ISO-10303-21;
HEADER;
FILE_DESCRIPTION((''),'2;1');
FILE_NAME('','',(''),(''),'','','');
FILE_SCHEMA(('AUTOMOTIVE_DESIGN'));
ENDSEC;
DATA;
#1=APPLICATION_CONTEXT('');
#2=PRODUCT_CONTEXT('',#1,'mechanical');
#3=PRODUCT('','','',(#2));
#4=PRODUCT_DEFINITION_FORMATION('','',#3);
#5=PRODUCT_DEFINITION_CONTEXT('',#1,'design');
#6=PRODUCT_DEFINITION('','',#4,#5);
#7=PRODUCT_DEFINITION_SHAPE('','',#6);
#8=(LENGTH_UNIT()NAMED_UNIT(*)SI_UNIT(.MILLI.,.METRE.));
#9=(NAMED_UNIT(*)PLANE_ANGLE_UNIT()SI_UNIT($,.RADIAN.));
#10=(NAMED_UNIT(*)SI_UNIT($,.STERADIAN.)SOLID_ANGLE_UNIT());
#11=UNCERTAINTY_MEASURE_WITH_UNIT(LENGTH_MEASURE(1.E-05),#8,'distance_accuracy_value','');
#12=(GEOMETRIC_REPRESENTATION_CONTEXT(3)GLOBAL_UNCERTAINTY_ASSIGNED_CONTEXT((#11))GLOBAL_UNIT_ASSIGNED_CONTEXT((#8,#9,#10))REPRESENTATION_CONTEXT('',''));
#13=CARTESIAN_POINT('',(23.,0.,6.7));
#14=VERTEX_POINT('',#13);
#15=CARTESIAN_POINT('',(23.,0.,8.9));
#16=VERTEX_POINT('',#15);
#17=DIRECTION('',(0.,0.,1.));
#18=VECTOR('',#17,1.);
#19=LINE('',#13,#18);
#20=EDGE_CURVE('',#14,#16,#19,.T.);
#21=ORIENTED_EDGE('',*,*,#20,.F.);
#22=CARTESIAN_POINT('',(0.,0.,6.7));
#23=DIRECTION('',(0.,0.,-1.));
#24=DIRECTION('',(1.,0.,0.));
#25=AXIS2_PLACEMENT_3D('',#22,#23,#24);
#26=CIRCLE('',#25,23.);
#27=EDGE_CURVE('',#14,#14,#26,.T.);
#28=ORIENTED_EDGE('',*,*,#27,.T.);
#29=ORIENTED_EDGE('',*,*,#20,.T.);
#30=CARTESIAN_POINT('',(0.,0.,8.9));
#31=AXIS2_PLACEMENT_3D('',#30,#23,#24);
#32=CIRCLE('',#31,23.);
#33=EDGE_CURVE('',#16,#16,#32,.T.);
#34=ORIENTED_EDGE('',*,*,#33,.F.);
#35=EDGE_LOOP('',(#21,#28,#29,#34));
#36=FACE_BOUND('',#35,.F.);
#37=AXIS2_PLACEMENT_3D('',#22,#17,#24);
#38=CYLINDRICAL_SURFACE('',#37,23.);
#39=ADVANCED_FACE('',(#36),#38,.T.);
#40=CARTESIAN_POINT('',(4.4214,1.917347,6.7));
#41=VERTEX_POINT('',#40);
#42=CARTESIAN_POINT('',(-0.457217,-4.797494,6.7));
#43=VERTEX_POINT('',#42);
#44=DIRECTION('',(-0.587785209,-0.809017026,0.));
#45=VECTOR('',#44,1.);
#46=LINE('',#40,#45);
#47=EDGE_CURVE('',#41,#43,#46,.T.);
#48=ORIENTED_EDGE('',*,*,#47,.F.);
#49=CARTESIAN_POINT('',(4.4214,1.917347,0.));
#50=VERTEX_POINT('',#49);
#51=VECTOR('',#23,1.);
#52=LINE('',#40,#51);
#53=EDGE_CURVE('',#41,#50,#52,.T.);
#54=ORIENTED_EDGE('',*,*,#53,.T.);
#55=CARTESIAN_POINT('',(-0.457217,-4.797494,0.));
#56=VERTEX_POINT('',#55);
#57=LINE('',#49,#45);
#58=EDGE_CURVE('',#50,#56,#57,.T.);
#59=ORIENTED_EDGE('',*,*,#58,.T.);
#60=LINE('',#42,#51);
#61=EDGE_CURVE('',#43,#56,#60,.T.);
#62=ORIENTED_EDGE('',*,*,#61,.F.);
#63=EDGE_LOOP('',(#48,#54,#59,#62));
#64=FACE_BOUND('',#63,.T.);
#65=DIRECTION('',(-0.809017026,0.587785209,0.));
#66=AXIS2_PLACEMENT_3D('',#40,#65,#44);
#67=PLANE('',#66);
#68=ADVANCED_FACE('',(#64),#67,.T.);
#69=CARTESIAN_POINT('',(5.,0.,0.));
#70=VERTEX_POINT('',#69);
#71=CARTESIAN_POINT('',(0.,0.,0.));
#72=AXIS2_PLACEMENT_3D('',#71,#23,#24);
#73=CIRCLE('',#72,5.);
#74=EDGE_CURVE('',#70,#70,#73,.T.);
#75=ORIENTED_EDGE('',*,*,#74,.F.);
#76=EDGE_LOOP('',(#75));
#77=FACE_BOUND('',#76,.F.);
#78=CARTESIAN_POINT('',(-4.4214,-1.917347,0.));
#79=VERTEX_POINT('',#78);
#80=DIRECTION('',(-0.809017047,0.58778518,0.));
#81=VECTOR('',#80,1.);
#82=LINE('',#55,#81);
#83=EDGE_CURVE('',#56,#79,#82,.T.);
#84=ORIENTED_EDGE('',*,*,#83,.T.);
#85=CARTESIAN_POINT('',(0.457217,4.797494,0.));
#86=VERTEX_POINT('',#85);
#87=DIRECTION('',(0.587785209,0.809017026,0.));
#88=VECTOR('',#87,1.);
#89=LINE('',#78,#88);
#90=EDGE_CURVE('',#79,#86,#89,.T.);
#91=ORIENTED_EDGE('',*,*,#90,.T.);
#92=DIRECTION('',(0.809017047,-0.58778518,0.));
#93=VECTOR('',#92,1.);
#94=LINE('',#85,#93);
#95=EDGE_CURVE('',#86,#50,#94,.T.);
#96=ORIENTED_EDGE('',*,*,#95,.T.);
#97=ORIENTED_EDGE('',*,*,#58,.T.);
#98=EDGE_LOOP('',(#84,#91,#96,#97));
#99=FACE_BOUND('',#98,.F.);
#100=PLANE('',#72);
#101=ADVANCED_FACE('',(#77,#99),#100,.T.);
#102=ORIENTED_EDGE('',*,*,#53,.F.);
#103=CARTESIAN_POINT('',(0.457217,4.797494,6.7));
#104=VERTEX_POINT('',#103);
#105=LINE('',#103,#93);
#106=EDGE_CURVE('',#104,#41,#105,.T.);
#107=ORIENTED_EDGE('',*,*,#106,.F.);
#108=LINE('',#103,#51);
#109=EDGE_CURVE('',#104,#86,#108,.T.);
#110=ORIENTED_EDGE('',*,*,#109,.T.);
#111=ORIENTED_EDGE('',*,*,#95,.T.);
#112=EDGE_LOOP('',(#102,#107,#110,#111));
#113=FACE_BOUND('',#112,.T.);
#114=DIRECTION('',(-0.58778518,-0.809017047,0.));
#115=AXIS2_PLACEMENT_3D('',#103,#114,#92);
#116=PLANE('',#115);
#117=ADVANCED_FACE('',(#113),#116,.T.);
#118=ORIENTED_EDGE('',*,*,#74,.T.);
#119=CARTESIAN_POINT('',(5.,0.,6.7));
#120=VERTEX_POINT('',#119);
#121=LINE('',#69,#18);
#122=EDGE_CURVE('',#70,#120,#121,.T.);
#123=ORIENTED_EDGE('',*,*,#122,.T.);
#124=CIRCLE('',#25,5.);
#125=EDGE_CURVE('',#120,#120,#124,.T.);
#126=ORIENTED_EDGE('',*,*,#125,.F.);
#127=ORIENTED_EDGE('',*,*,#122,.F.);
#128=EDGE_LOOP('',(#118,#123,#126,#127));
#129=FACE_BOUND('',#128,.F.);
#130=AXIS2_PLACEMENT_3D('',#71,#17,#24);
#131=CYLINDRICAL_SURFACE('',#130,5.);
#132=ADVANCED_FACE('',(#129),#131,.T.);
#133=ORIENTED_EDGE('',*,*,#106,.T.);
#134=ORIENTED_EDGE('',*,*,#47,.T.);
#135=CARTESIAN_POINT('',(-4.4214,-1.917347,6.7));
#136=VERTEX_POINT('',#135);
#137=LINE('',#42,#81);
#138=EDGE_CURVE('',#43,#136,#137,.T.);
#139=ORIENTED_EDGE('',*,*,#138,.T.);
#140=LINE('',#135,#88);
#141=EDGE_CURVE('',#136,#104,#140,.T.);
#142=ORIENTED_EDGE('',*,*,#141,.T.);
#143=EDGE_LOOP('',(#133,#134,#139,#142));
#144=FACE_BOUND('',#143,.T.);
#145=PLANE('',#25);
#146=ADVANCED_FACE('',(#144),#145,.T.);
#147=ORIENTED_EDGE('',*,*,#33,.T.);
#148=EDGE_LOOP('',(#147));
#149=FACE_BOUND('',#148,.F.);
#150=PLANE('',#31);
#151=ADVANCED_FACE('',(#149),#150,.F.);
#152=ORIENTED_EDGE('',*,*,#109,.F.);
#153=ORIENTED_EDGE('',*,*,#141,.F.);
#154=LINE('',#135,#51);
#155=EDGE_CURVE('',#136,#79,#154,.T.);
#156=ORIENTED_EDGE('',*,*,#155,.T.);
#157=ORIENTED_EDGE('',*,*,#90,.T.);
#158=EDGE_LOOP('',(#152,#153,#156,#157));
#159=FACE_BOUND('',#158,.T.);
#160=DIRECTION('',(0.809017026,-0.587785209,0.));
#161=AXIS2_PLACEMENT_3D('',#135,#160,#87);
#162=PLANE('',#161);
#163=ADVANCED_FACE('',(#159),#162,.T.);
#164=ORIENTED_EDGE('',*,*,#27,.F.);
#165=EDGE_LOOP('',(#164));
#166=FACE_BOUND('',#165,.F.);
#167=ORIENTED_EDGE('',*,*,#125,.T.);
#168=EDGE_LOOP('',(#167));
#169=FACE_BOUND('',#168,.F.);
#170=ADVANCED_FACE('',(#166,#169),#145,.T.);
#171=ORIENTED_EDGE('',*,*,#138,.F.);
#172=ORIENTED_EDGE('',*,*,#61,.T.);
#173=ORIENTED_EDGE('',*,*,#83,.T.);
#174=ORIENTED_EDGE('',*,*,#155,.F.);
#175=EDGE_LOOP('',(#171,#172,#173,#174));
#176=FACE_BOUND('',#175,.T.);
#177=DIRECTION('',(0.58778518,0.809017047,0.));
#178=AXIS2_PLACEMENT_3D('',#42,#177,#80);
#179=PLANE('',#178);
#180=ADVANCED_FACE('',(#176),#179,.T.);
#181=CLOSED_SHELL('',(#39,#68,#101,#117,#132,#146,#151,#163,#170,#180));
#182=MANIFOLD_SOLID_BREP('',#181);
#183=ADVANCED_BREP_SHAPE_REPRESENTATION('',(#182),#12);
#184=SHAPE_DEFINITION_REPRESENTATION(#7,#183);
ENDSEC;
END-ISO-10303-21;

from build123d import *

# Parameters (mm, degrees)
F3_DEPTH = 6.7


with BuildPart() as f1:
    # F0 (on Front) → F1 (revolve)
    with BuildSketch(Plane.XZ):
        Polygon((0, 8.9), (0, 0), (5, 0), (5, 6.7), (23, 6.7), (23, 8.9), align=None)
    revolve(axis=Axis((0, 0, 4.45), (0, 0, -1)))

    # F2 (on face) → F3 (cut, through all)
    with BuildSketch(Plane(origin=(0, 0, 6.7), x_dir=(1, 0, 0), z_dir=(0, 0, -1))):
        Polygon((-4.4214, 1.917347), (0.457217, -4.797494), (4.4214, -1.917347), (-0.457217, 4.797494), align=None)
    extrude(amount=F3_DEPTH, mode=Mode.SUBTRACT)


solid = f1.part
